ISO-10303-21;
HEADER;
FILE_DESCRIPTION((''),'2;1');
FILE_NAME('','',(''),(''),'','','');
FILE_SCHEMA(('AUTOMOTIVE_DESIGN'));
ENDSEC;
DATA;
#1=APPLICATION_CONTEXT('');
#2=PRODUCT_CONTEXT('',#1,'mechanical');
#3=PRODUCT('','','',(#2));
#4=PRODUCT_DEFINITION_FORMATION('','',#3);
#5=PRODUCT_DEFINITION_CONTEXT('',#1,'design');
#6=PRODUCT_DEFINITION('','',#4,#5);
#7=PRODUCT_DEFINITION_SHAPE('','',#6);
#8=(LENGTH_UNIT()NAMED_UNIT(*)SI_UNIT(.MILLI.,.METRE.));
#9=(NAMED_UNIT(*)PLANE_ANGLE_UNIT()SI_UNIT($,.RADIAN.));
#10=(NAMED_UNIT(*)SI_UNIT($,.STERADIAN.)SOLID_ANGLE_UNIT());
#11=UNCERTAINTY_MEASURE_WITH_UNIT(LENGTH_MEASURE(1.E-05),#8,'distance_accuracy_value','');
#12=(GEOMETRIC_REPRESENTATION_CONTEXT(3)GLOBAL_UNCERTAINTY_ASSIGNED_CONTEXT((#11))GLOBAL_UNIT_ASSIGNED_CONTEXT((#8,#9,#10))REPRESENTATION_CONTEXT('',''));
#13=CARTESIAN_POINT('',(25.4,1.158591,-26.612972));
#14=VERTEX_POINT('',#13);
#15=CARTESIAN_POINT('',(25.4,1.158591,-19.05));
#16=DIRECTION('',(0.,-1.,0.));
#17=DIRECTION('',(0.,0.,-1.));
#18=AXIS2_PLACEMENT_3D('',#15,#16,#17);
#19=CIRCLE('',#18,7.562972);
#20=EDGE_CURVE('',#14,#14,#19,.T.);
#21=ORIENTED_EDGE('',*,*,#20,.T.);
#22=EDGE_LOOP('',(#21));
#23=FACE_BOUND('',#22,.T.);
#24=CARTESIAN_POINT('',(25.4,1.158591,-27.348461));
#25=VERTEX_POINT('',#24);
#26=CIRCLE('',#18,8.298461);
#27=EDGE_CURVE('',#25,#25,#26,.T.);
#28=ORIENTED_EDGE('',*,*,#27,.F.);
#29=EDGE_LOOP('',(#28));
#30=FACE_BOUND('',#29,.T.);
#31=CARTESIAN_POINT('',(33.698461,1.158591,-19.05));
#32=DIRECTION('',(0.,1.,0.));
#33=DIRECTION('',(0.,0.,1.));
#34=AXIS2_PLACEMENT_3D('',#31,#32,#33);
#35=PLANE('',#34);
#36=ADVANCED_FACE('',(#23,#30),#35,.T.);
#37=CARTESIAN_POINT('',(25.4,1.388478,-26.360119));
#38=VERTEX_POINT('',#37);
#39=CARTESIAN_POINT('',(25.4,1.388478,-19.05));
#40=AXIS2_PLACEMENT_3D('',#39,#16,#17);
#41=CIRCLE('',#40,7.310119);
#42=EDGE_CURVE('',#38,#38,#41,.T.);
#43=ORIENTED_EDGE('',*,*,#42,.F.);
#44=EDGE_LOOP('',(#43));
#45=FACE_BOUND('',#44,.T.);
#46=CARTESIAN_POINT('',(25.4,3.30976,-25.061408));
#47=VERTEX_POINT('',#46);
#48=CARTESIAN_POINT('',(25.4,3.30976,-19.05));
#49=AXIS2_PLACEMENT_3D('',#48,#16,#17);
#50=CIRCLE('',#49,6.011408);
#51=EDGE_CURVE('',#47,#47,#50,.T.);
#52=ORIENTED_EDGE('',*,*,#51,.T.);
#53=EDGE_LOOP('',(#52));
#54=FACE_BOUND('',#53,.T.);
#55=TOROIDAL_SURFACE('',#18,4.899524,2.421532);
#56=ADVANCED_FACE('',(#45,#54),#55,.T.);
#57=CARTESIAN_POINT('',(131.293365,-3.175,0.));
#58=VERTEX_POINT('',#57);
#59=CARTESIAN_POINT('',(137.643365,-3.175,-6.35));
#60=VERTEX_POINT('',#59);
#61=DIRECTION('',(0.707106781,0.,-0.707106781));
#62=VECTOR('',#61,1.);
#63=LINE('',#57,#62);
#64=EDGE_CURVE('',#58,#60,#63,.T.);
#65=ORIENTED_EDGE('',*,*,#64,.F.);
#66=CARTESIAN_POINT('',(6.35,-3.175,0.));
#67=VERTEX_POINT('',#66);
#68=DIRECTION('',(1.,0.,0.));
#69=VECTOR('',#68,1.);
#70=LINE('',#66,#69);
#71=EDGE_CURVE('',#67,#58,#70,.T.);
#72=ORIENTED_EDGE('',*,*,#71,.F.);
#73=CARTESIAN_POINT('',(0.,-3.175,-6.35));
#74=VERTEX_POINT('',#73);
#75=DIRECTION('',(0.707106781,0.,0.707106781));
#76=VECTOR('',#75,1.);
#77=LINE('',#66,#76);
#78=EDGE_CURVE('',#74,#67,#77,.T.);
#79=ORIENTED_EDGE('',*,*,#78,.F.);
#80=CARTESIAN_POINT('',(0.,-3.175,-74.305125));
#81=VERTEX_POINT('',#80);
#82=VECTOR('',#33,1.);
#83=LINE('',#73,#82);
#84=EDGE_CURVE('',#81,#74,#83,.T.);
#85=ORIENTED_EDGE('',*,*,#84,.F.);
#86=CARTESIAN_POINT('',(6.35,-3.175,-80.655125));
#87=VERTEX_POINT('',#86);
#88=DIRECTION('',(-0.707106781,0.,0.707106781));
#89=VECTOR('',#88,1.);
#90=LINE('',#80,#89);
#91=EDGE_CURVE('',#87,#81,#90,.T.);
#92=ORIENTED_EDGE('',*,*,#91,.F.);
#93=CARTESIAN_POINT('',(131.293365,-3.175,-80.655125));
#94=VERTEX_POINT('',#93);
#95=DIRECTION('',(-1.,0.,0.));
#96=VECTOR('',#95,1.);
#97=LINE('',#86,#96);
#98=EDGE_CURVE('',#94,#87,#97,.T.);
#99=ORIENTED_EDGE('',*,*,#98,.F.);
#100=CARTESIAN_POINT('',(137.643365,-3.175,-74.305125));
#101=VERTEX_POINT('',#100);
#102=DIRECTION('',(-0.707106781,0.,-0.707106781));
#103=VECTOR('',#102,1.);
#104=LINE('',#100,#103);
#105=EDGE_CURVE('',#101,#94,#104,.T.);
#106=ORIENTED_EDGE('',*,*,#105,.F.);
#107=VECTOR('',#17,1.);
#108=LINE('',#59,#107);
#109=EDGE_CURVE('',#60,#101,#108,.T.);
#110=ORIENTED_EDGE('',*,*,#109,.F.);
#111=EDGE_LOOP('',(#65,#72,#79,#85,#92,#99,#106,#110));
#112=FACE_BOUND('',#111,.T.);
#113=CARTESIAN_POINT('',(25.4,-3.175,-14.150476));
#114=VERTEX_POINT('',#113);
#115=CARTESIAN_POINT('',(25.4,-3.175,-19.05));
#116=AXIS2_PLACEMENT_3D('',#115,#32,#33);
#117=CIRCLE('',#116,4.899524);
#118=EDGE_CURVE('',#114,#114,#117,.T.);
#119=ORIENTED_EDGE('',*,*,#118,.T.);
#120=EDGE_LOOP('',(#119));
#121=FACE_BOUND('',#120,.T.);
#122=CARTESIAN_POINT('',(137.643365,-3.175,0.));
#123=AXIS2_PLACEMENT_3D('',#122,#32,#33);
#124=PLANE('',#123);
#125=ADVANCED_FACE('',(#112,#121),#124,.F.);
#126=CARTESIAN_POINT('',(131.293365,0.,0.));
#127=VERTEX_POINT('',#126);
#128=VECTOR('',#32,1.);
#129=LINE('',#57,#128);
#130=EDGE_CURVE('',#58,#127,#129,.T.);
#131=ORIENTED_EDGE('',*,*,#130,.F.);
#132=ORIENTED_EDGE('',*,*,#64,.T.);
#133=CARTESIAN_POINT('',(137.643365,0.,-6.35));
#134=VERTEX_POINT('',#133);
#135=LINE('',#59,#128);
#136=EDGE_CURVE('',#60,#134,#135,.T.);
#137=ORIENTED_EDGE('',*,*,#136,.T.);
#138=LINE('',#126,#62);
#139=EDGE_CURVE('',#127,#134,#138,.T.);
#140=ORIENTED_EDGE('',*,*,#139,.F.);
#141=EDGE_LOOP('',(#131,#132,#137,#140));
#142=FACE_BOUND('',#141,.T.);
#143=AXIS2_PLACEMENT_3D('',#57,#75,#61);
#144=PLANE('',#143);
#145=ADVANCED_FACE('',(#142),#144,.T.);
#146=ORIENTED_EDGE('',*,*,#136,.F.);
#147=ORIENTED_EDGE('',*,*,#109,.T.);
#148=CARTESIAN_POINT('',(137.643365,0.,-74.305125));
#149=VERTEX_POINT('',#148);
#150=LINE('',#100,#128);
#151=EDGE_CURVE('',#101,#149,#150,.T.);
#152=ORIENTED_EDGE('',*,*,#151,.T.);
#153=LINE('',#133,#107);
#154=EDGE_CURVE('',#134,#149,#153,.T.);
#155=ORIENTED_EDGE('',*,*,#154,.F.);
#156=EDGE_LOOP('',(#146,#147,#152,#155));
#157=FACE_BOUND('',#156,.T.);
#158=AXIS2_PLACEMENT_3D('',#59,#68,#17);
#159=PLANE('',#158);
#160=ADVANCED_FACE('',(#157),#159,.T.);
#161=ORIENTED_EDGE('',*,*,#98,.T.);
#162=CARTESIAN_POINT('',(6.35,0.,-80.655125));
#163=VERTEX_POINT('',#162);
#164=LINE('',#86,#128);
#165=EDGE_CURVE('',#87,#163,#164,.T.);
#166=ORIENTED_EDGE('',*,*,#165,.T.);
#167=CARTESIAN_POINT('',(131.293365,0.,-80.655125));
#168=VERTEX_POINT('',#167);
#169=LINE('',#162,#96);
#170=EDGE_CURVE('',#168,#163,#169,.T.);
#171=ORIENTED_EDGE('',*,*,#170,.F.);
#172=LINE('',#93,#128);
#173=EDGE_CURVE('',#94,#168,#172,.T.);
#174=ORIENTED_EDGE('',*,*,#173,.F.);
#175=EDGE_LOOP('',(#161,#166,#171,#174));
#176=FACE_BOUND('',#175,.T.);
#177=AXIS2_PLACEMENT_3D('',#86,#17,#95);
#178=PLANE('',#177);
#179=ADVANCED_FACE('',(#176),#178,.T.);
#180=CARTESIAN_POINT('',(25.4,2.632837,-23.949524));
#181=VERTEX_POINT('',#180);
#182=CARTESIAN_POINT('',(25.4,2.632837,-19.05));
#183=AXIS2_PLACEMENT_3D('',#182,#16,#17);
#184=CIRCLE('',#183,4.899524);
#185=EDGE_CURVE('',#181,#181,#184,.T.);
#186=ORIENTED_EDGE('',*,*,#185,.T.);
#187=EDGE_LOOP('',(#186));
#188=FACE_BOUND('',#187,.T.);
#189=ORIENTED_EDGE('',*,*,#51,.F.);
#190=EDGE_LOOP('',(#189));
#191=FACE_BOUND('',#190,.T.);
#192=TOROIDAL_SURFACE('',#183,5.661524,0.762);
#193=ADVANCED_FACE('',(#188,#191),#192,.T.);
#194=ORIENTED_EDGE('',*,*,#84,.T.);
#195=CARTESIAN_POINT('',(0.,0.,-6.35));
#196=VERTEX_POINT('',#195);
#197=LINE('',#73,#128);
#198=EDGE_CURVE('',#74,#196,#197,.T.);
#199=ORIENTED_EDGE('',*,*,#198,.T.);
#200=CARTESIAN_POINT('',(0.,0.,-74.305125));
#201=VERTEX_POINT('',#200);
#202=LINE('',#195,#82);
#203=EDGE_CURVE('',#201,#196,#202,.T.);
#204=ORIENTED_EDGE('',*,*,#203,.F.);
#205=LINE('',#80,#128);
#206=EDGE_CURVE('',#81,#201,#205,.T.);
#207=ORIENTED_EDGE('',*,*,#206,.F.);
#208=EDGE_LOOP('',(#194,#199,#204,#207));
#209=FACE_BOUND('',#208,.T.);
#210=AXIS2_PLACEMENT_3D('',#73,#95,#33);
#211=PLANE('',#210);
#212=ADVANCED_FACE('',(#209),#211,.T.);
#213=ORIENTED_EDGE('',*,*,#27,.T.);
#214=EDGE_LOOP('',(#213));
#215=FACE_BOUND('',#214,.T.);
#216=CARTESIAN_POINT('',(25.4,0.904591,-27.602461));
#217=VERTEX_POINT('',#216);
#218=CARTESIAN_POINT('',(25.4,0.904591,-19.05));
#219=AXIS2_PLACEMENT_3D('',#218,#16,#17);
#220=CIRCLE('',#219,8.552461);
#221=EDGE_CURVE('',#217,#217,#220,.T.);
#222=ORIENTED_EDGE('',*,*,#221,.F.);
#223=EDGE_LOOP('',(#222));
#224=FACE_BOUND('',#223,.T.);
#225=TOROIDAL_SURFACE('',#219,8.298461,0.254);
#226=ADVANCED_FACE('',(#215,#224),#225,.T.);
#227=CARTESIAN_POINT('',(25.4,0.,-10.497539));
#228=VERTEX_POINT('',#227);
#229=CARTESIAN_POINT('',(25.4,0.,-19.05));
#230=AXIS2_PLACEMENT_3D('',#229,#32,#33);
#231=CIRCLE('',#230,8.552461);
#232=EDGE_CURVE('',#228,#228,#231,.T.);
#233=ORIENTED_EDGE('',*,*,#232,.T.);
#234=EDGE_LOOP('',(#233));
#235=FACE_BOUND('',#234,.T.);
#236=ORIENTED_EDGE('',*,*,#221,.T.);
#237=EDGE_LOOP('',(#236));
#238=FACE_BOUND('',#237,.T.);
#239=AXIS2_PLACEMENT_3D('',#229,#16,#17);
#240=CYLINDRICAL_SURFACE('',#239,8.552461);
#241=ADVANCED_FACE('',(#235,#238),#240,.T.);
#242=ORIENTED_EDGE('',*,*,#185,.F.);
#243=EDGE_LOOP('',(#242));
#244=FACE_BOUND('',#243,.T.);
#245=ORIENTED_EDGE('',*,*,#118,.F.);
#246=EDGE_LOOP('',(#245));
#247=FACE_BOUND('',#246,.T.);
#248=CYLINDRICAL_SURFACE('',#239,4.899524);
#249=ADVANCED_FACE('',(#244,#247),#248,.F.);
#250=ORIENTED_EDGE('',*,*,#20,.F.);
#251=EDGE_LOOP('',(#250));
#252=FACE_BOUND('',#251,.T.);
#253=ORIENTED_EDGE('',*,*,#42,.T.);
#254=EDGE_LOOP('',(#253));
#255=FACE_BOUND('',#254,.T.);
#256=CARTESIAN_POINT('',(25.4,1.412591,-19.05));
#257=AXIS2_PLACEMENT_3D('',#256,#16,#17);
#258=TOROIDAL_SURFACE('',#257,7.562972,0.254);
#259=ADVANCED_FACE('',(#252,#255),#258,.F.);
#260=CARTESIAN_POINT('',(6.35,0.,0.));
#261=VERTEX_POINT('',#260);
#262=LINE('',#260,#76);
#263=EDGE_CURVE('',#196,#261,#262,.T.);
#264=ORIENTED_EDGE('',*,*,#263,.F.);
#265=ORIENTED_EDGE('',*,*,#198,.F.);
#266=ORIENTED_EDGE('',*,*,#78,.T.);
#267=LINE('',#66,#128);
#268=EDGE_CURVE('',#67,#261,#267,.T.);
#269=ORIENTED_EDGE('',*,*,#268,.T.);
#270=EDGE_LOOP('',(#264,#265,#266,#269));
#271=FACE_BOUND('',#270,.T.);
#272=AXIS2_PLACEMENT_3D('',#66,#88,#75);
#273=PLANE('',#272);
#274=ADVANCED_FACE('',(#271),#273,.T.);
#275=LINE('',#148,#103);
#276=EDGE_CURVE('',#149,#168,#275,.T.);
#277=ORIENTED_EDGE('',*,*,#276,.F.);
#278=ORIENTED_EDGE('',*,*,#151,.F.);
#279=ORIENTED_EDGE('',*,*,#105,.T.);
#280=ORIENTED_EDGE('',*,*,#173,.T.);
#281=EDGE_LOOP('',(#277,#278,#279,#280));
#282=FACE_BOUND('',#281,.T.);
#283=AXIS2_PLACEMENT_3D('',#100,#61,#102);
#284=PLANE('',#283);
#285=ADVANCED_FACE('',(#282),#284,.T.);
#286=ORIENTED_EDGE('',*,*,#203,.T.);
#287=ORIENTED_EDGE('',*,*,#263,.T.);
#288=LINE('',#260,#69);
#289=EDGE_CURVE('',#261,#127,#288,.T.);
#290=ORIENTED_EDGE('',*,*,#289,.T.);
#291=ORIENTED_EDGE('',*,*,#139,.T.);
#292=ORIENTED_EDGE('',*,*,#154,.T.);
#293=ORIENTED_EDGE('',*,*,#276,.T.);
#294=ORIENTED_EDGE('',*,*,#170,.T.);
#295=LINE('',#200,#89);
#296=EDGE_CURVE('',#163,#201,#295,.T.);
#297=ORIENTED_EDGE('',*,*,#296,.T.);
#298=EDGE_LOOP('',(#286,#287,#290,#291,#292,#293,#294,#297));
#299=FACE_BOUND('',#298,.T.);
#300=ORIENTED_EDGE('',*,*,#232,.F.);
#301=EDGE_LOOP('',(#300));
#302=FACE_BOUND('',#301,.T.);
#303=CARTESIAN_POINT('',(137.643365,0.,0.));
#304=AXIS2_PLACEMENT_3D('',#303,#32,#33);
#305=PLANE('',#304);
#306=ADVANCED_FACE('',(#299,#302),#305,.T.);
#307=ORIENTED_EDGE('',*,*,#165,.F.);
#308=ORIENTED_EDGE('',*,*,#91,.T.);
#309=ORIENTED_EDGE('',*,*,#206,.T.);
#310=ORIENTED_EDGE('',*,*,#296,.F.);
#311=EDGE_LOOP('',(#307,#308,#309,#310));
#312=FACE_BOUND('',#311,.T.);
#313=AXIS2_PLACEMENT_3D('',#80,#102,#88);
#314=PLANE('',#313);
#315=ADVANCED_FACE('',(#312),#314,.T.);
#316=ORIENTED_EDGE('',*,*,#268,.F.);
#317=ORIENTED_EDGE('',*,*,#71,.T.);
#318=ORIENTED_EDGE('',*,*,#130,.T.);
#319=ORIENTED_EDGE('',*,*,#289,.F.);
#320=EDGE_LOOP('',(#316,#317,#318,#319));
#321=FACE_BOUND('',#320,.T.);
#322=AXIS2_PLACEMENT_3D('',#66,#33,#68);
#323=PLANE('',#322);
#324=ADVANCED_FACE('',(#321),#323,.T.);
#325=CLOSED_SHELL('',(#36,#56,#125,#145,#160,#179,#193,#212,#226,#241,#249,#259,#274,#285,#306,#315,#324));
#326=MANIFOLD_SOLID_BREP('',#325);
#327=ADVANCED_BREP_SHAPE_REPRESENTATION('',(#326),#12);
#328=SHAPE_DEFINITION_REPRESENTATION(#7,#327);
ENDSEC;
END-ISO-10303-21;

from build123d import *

# Parameters (mm, degrees)
EXTRUDE1_DEPTH = 3.175
SKETCH5_R      = 4.899523771
EXTRUDE2_DEPTH = 6.9215


with BuildPart() as part:
    # Sketch1 → Extrude1 (new body)
    with BuildSketch(Plane(origin=(0, 0, 0), x_dir=(1, 0, 0), z_dir=(0, 1, 0))):
        Polygon((131.293364516, 0), (137.643364516, 6.35), (137.643364516, 74.305125285), (131.293364516, 80.655125285), (6.35, 80.655125285), (0, 74.305125285), (0, 6.35), (6.35, 0), align=None)
    extrude(amount=-EXTRUDE1_DEPTH)

    # Sketch3 → Revolve1 (revolve)
    with BuildSketch(Plane.XY.offset(-19.05), mode=Mode.PRIVATE) as revolve1_sk:
        with BuildLine():
            Line((25.4, 0), (33.952460507, 0))
            Line((33.952460507, 0), (33.952460507, 0.90459086))
            ThreePointArc((33.952460507, 0.90459086), (33.87806563, 1.084195983), (33.698460507, 1.15859086))
            Line((33.698460507, 1.15859086), (32.962971663, 1.15859086))
            ThreePointArc((32.962971663, 1.15859086), (32.792104444, 1.224653653), (32.710118846, 1.388477524))
            ThreePointArc((32.710118846, 1.388477524), (32.305713436, 2.5146954), (31.411407987, 3.309760306))
            ThreePointArc((31.411407987, 3.309760306), (30.665271183, 3.28370412), (30.299523771, 2.632837093))
            Line((30.299523771, 2.632837093), (30.299523771, 1.803708053))
            Line((30.299523771, 1.803708053), (25.4, 1.803708053))
            Line((25.4, 1.803708053), (25.4, 0))
        make_face()
    revolve(revolve1_sk.sketch.rotate(Axis((25.4, 0, -19.05), (0, 1, 0)), 90), axis=Axis((25.4, 0, -19.05), (0, 1, 0)))

    # Sketch5 → Extrude2 (cut, symmetric)
    with BuildSketch(Plane(origin=(0, 0, 0), x_dir=(1, 0, 0), z_dir=(0, 1, 0))):
        with Locations(Location((25.4, 19.05, 0), (0, 0, 90))):
            Circle(SKETCH5_R)
    extrude(amount=EXTRUDE2_DEPTH, both=True, mode=Mode.SUBTRACT)


solid = part.part
